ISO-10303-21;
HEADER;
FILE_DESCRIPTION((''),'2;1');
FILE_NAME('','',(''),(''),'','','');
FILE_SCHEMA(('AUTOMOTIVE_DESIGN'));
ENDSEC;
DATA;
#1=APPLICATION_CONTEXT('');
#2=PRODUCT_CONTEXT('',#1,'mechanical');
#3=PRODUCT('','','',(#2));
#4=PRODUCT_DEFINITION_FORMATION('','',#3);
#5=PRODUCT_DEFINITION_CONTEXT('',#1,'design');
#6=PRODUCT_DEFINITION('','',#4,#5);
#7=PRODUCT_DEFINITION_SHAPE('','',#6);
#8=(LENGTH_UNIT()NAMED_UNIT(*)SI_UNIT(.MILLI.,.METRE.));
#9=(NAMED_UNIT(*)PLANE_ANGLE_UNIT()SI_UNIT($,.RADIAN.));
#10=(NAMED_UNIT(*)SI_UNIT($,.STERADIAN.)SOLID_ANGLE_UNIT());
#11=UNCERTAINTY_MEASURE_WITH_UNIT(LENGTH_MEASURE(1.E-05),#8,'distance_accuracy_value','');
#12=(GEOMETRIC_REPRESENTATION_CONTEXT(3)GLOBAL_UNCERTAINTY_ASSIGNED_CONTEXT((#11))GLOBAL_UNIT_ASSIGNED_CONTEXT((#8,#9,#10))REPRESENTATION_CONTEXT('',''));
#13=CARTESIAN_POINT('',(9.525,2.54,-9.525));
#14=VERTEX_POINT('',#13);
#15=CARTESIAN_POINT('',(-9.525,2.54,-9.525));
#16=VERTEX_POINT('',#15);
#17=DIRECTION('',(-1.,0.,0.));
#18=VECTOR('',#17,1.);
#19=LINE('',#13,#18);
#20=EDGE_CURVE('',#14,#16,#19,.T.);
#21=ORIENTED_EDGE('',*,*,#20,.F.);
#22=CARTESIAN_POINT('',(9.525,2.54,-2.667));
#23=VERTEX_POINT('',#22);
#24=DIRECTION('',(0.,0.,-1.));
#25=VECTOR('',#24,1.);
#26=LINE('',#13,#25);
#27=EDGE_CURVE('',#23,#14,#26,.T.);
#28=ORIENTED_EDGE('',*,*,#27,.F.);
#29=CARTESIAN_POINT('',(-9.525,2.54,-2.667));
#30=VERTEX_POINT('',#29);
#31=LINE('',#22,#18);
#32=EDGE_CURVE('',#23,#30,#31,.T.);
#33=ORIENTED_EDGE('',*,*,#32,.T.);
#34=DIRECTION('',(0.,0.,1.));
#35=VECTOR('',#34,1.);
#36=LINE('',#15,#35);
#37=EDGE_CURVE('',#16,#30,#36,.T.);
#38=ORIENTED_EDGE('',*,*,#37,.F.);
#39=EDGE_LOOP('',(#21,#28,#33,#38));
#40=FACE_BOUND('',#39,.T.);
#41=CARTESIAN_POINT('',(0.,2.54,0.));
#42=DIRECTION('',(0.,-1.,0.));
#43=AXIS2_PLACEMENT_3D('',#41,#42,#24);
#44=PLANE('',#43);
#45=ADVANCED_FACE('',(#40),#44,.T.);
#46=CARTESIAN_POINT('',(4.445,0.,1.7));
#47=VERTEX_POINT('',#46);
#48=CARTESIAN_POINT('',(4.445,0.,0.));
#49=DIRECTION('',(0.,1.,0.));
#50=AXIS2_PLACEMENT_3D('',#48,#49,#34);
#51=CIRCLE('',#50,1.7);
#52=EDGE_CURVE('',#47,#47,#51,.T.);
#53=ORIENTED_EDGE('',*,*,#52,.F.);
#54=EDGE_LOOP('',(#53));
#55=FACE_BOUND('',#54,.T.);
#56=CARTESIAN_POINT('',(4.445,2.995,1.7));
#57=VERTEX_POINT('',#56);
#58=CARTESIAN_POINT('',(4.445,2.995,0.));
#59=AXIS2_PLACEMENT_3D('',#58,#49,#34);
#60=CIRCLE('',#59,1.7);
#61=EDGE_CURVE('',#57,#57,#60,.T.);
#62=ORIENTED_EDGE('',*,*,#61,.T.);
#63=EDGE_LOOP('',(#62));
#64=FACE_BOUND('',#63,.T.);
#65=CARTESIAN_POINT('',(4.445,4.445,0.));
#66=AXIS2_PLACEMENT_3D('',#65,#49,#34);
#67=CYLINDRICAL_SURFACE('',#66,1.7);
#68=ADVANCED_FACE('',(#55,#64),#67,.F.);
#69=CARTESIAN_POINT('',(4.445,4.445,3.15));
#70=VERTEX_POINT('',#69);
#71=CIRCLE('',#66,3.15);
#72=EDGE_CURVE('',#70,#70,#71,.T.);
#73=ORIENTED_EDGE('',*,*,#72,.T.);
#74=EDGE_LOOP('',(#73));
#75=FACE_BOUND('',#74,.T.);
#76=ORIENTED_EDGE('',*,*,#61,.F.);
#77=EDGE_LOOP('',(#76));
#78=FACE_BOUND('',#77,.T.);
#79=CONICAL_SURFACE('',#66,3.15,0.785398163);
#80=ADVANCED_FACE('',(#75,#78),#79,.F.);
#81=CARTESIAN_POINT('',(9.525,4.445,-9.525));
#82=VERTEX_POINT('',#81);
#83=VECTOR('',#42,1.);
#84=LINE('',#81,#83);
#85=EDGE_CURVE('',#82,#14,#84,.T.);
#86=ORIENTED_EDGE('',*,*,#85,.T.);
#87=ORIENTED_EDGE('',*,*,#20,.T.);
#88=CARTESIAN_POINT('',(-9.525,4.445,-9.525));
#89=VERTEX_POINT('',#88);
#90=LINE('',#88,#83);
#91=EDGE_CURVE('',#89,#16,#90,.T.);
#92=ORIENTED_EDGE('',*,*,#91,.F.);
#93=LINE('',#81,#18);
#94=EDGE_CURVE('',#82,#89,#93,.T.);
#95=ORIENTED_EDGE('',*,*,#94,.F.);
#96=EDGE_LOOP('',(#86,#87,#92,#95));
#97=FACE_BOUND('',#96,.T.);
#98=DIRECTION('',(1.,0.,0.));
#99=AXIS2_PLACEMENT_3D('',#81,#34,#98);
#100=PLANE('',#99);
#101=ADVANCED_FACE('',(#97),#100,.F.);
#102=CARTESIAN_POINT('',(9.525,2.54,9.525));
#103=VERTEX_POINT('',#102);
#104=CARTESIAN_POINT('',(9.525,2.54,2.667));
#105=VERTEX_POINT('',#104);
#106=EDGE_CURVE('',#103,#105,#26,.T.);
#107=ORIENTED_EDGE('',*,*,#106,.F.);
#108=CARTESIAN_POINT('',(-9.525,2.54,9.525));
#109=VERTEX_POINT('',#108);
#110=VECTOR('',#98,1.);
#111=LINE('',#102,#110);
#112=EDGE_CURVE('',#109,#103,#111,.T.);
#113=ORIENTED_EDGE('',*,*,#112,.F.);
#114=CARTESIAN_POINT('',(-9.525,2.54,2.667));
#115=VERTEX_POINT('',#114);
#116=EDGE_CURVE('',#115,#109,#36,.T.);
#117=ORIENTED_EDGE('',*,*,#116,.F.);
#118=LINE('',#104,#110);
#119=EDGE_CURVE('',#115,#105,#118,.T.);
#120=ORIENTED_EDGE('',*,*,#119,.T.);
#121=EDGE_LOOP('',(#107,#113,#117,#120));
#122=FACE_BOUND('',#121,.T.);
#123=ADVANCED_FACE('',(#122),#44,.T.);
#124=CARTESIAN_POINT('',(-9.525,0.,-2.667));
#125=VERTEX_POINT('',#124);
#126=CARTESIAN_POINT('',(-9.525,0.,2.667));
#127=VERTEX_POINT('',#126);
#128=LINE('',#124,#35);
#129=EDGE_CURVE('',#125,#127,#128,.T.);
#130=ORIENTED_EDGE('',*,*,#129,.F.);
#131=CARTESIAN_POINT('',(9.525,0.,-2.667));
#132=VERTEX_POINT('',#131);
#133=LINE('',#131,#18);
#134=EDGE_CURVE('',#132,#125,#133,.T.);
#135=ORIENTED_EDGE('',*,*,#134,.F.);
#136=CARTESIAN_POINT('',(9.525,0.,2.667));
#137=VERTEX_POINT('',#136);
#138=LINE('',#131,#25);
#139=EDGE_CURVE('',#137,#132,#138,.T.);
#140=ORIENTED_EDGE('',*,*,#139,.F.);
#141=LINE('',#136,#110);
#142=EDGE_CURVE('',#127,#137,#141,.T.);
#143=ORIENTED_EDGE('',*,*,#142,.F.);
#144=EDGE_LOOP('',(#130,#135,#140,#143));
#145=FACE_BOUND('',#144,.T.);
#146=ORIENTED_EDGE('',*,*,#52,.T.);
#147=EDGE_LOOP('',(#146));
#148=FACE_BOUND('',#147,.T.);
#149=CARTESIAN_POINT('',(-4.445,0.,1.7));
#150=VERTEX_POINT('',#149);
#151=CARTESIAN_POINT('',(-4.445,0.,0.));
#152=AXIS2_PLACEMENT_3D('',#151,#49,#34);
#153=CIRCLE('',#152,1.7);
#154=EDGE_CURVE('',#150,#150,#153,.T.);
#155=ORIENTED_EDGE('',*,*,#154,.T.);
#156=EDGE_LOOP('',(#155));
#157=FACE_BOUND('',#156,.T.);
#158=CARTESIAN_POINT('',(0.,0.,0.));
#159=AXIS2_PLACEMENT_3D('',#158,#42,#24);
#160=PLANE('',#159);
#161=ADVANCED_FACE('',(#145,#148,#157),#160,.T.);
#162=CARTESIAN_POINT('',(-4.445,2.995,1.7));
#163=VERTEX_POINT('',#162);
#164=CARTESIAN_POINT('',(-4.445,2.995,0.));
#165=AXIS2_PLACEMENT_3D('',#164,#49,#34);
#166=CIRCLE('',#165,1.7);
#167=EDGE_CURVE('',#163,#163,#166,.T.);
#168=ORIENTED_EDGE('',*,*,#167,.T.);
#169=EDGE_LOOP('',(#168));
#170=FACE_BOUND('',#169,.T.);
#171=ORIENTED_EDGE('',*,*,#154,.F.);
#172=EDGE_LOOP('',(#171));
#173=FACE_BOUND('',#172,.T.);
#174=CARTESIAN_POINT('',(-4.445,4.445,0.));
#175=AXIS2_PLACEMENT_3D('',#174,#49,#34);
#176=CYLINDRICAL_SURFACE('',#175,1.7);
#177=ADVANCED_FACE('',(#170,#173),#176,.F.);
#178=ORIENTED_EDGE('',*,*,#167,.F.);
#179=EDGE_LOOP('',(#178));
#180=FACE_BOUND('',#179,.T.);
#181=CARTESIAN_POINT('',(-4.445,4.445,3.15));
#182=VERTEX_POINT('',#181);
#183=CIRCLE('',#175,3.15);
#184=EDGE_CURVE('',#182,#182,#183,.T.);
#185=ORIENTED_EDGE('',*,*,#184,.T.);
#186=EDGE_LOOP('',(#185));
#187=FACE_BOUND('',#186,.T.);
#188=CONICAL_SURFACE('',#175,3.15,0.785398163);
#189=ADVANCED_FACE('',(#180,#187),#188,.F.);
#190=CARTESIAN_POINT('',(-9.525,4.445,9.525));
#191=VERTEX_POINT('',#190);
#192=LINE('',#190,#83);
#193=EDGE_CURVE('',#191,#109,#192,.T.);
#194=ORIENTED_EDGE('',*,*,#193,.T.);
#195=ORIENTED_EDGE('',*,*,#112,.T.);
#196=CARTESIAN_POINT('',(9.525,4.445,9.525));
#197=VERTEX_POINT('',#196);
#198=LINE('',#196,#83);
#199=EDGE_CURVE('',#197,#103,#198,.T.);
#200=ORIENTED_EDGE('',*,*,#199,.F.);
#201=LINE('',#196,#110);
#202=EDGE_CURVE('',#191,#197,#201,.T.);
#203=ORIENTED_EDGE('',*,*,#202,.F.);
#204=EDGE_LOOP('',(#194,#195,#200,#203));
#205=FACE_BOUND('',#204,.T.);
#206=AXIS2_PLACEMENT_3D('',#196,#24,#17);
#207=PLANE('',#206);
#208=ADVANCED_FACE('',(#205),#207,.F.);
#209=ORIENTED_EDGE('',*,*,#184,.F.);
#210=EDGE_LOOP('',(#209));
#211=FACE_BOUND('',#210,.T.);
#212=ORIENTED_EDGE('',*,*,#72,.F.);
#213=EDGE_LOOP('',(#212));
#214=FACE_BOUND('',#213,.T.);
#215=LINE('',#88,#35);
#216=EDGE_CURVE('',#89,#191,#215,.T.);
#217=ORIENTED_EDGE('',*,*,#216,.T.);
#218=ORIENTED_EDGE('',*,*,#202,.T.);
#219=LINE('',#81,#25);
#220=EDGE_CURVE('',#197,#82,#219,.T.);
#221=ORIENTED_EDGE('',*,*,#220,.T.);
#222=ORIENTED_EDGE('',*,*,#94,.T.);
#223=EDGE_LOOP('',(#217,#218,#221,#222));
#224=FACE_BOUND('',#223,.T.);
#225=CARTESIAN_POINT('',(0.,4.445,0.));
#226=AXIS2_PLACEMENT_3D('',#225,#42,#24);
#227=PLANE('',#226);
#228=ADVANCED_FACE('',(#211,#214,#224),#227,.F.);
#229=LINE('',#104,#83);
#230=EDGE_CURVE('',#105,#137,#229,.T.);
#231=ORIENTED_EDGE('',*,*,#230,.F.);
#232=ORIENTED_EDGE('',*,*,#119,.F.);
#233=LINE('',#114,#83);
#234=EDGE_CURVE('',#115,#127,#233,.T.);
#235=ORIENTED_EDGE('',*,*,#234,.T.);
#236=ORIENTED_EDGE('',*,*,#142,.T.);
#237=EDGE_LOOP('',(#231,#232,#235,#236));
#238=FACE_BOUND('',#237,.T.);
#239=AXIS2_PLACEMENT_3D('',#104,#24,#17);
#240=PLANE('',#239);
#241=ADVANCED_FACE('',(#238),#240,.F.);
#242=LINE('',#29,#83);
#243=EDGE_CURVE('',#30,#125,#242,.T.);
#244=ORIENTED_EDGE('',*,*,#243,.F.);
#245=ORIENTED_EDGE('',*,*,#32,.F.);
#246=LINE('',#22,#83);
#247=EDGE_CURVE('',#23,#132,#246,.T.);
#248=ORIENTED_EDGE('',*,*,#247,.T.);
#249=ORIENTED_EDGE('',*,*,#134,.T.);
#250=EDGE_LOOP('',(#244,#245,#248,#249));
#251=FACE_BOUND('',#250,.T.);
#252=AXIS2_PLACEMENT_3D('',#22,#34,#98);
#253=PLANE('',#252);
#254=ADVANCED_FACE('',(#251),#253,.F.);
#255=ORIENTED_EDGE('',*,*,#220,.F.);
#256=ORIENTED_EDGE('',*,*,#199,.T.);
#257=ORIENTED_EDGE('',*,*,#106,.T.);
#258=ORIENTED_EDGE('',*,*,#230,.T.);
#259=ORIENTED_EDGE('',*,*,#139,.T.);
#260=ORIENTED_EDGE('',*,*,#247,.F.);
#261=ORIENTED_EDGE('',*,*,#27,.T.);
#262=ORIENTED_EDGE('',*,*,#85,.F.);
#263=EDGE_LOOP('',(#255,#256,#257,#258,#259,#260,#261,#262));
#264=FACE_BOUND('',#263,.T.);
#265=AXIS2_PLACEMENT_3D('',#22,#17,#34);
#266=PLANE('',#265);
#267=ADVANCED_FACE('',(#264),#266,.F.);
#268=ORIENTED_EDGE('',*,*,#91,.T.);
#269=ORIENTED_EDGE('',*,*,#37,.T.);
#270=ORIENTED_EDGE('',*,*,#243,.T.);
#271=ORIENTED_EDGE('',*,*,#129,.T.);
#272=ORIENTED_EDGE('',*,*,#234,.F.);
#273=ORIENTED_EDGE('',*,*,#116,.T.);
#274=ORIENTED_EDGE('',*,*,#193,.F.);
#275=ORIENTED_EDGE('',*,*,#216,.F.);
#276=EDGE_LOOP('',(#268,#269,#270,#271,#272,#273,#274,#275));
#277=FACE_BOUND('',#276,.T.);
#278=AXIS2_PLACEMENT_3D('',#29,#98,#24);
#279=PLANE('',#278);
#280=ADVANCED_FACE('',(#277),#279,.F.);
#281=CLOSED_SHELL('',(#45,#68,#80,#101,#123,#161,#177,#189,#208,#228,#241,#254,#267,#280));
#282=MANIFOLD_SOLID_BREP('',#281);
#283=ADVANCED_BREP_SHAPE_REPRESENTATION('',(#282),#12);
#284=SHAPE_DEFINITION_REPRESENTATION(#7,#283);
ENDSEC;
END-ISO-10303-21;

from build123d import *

# Parameters (mm, degrees)
SKETCH1_W                                       = 19.05
SKETCH1_H                                       = 5.334
BOSS_EXTRUDE1_DEPTH                             = 2.54
SKETCH2_W                                       = 19.05
SKETCH2_H                                       = 19.05
BOSS_EXTRUDE2_DEPTH                             = 1.905
CSK_FOR_M3_FLAT_HEAD_MACHINE_SCREW1_D           = 3.4
CSK_FOR_M3_FLAT_HEAD_MACHINE_SCREW1_CSINK_D     = 6.3
CSK_FOR_M3_FLAT_HEAD_MACHINE_SCREW1_CSINK_ANGLE = 90


with BuildPart() as part:
    # Sketch1 → Boss-Extrude1 (new body)
    with BuildSketch(Plane(origin=(0, 0, 0), x_dir=(1, 0, 0), z_dir=(0, 1, 0))):
        Rectangle(SKETCH1_W, SKETCH1_H)
    extrude(amount=BOSS_EXTRUDE1_DEPTH)

    # Sketch2 → Boss-Extrude2 (add)
    with BuildSketch(Plane(origin=(0, 2.54, 0), x_dir=(1, 0, 0), z_dir=(0, 1, 0))):
        Rectangle(SKETCH2_W, SKETCH2_H)
    extrude(amount=BOSS_EXTRUDE2_DEPTH)

    # CSK for M3 Flat Head Machine Screw1 (through all)
    with Locations(Plane(origin=(0, 4.445, 0), x_dir=(1, 0, 0), z_dir=(0, 1, 0))):
        with Locations((-4.445, 0), (4.445, 0)):
            CounterSinkHole(CSK_FOR_M3_FLAT_HEAD_MACHINE_SCREW1_D / 2, CSK_FOR_M3_FLAT_HEAD_MACHINE_SCREW1_CSINK_D / 2, counter_sink_angle=CSK_FOR_M3_FLAT_HEAD_MACHINE_SCREW1_CSINK_ANGLE)


solid = part.part
